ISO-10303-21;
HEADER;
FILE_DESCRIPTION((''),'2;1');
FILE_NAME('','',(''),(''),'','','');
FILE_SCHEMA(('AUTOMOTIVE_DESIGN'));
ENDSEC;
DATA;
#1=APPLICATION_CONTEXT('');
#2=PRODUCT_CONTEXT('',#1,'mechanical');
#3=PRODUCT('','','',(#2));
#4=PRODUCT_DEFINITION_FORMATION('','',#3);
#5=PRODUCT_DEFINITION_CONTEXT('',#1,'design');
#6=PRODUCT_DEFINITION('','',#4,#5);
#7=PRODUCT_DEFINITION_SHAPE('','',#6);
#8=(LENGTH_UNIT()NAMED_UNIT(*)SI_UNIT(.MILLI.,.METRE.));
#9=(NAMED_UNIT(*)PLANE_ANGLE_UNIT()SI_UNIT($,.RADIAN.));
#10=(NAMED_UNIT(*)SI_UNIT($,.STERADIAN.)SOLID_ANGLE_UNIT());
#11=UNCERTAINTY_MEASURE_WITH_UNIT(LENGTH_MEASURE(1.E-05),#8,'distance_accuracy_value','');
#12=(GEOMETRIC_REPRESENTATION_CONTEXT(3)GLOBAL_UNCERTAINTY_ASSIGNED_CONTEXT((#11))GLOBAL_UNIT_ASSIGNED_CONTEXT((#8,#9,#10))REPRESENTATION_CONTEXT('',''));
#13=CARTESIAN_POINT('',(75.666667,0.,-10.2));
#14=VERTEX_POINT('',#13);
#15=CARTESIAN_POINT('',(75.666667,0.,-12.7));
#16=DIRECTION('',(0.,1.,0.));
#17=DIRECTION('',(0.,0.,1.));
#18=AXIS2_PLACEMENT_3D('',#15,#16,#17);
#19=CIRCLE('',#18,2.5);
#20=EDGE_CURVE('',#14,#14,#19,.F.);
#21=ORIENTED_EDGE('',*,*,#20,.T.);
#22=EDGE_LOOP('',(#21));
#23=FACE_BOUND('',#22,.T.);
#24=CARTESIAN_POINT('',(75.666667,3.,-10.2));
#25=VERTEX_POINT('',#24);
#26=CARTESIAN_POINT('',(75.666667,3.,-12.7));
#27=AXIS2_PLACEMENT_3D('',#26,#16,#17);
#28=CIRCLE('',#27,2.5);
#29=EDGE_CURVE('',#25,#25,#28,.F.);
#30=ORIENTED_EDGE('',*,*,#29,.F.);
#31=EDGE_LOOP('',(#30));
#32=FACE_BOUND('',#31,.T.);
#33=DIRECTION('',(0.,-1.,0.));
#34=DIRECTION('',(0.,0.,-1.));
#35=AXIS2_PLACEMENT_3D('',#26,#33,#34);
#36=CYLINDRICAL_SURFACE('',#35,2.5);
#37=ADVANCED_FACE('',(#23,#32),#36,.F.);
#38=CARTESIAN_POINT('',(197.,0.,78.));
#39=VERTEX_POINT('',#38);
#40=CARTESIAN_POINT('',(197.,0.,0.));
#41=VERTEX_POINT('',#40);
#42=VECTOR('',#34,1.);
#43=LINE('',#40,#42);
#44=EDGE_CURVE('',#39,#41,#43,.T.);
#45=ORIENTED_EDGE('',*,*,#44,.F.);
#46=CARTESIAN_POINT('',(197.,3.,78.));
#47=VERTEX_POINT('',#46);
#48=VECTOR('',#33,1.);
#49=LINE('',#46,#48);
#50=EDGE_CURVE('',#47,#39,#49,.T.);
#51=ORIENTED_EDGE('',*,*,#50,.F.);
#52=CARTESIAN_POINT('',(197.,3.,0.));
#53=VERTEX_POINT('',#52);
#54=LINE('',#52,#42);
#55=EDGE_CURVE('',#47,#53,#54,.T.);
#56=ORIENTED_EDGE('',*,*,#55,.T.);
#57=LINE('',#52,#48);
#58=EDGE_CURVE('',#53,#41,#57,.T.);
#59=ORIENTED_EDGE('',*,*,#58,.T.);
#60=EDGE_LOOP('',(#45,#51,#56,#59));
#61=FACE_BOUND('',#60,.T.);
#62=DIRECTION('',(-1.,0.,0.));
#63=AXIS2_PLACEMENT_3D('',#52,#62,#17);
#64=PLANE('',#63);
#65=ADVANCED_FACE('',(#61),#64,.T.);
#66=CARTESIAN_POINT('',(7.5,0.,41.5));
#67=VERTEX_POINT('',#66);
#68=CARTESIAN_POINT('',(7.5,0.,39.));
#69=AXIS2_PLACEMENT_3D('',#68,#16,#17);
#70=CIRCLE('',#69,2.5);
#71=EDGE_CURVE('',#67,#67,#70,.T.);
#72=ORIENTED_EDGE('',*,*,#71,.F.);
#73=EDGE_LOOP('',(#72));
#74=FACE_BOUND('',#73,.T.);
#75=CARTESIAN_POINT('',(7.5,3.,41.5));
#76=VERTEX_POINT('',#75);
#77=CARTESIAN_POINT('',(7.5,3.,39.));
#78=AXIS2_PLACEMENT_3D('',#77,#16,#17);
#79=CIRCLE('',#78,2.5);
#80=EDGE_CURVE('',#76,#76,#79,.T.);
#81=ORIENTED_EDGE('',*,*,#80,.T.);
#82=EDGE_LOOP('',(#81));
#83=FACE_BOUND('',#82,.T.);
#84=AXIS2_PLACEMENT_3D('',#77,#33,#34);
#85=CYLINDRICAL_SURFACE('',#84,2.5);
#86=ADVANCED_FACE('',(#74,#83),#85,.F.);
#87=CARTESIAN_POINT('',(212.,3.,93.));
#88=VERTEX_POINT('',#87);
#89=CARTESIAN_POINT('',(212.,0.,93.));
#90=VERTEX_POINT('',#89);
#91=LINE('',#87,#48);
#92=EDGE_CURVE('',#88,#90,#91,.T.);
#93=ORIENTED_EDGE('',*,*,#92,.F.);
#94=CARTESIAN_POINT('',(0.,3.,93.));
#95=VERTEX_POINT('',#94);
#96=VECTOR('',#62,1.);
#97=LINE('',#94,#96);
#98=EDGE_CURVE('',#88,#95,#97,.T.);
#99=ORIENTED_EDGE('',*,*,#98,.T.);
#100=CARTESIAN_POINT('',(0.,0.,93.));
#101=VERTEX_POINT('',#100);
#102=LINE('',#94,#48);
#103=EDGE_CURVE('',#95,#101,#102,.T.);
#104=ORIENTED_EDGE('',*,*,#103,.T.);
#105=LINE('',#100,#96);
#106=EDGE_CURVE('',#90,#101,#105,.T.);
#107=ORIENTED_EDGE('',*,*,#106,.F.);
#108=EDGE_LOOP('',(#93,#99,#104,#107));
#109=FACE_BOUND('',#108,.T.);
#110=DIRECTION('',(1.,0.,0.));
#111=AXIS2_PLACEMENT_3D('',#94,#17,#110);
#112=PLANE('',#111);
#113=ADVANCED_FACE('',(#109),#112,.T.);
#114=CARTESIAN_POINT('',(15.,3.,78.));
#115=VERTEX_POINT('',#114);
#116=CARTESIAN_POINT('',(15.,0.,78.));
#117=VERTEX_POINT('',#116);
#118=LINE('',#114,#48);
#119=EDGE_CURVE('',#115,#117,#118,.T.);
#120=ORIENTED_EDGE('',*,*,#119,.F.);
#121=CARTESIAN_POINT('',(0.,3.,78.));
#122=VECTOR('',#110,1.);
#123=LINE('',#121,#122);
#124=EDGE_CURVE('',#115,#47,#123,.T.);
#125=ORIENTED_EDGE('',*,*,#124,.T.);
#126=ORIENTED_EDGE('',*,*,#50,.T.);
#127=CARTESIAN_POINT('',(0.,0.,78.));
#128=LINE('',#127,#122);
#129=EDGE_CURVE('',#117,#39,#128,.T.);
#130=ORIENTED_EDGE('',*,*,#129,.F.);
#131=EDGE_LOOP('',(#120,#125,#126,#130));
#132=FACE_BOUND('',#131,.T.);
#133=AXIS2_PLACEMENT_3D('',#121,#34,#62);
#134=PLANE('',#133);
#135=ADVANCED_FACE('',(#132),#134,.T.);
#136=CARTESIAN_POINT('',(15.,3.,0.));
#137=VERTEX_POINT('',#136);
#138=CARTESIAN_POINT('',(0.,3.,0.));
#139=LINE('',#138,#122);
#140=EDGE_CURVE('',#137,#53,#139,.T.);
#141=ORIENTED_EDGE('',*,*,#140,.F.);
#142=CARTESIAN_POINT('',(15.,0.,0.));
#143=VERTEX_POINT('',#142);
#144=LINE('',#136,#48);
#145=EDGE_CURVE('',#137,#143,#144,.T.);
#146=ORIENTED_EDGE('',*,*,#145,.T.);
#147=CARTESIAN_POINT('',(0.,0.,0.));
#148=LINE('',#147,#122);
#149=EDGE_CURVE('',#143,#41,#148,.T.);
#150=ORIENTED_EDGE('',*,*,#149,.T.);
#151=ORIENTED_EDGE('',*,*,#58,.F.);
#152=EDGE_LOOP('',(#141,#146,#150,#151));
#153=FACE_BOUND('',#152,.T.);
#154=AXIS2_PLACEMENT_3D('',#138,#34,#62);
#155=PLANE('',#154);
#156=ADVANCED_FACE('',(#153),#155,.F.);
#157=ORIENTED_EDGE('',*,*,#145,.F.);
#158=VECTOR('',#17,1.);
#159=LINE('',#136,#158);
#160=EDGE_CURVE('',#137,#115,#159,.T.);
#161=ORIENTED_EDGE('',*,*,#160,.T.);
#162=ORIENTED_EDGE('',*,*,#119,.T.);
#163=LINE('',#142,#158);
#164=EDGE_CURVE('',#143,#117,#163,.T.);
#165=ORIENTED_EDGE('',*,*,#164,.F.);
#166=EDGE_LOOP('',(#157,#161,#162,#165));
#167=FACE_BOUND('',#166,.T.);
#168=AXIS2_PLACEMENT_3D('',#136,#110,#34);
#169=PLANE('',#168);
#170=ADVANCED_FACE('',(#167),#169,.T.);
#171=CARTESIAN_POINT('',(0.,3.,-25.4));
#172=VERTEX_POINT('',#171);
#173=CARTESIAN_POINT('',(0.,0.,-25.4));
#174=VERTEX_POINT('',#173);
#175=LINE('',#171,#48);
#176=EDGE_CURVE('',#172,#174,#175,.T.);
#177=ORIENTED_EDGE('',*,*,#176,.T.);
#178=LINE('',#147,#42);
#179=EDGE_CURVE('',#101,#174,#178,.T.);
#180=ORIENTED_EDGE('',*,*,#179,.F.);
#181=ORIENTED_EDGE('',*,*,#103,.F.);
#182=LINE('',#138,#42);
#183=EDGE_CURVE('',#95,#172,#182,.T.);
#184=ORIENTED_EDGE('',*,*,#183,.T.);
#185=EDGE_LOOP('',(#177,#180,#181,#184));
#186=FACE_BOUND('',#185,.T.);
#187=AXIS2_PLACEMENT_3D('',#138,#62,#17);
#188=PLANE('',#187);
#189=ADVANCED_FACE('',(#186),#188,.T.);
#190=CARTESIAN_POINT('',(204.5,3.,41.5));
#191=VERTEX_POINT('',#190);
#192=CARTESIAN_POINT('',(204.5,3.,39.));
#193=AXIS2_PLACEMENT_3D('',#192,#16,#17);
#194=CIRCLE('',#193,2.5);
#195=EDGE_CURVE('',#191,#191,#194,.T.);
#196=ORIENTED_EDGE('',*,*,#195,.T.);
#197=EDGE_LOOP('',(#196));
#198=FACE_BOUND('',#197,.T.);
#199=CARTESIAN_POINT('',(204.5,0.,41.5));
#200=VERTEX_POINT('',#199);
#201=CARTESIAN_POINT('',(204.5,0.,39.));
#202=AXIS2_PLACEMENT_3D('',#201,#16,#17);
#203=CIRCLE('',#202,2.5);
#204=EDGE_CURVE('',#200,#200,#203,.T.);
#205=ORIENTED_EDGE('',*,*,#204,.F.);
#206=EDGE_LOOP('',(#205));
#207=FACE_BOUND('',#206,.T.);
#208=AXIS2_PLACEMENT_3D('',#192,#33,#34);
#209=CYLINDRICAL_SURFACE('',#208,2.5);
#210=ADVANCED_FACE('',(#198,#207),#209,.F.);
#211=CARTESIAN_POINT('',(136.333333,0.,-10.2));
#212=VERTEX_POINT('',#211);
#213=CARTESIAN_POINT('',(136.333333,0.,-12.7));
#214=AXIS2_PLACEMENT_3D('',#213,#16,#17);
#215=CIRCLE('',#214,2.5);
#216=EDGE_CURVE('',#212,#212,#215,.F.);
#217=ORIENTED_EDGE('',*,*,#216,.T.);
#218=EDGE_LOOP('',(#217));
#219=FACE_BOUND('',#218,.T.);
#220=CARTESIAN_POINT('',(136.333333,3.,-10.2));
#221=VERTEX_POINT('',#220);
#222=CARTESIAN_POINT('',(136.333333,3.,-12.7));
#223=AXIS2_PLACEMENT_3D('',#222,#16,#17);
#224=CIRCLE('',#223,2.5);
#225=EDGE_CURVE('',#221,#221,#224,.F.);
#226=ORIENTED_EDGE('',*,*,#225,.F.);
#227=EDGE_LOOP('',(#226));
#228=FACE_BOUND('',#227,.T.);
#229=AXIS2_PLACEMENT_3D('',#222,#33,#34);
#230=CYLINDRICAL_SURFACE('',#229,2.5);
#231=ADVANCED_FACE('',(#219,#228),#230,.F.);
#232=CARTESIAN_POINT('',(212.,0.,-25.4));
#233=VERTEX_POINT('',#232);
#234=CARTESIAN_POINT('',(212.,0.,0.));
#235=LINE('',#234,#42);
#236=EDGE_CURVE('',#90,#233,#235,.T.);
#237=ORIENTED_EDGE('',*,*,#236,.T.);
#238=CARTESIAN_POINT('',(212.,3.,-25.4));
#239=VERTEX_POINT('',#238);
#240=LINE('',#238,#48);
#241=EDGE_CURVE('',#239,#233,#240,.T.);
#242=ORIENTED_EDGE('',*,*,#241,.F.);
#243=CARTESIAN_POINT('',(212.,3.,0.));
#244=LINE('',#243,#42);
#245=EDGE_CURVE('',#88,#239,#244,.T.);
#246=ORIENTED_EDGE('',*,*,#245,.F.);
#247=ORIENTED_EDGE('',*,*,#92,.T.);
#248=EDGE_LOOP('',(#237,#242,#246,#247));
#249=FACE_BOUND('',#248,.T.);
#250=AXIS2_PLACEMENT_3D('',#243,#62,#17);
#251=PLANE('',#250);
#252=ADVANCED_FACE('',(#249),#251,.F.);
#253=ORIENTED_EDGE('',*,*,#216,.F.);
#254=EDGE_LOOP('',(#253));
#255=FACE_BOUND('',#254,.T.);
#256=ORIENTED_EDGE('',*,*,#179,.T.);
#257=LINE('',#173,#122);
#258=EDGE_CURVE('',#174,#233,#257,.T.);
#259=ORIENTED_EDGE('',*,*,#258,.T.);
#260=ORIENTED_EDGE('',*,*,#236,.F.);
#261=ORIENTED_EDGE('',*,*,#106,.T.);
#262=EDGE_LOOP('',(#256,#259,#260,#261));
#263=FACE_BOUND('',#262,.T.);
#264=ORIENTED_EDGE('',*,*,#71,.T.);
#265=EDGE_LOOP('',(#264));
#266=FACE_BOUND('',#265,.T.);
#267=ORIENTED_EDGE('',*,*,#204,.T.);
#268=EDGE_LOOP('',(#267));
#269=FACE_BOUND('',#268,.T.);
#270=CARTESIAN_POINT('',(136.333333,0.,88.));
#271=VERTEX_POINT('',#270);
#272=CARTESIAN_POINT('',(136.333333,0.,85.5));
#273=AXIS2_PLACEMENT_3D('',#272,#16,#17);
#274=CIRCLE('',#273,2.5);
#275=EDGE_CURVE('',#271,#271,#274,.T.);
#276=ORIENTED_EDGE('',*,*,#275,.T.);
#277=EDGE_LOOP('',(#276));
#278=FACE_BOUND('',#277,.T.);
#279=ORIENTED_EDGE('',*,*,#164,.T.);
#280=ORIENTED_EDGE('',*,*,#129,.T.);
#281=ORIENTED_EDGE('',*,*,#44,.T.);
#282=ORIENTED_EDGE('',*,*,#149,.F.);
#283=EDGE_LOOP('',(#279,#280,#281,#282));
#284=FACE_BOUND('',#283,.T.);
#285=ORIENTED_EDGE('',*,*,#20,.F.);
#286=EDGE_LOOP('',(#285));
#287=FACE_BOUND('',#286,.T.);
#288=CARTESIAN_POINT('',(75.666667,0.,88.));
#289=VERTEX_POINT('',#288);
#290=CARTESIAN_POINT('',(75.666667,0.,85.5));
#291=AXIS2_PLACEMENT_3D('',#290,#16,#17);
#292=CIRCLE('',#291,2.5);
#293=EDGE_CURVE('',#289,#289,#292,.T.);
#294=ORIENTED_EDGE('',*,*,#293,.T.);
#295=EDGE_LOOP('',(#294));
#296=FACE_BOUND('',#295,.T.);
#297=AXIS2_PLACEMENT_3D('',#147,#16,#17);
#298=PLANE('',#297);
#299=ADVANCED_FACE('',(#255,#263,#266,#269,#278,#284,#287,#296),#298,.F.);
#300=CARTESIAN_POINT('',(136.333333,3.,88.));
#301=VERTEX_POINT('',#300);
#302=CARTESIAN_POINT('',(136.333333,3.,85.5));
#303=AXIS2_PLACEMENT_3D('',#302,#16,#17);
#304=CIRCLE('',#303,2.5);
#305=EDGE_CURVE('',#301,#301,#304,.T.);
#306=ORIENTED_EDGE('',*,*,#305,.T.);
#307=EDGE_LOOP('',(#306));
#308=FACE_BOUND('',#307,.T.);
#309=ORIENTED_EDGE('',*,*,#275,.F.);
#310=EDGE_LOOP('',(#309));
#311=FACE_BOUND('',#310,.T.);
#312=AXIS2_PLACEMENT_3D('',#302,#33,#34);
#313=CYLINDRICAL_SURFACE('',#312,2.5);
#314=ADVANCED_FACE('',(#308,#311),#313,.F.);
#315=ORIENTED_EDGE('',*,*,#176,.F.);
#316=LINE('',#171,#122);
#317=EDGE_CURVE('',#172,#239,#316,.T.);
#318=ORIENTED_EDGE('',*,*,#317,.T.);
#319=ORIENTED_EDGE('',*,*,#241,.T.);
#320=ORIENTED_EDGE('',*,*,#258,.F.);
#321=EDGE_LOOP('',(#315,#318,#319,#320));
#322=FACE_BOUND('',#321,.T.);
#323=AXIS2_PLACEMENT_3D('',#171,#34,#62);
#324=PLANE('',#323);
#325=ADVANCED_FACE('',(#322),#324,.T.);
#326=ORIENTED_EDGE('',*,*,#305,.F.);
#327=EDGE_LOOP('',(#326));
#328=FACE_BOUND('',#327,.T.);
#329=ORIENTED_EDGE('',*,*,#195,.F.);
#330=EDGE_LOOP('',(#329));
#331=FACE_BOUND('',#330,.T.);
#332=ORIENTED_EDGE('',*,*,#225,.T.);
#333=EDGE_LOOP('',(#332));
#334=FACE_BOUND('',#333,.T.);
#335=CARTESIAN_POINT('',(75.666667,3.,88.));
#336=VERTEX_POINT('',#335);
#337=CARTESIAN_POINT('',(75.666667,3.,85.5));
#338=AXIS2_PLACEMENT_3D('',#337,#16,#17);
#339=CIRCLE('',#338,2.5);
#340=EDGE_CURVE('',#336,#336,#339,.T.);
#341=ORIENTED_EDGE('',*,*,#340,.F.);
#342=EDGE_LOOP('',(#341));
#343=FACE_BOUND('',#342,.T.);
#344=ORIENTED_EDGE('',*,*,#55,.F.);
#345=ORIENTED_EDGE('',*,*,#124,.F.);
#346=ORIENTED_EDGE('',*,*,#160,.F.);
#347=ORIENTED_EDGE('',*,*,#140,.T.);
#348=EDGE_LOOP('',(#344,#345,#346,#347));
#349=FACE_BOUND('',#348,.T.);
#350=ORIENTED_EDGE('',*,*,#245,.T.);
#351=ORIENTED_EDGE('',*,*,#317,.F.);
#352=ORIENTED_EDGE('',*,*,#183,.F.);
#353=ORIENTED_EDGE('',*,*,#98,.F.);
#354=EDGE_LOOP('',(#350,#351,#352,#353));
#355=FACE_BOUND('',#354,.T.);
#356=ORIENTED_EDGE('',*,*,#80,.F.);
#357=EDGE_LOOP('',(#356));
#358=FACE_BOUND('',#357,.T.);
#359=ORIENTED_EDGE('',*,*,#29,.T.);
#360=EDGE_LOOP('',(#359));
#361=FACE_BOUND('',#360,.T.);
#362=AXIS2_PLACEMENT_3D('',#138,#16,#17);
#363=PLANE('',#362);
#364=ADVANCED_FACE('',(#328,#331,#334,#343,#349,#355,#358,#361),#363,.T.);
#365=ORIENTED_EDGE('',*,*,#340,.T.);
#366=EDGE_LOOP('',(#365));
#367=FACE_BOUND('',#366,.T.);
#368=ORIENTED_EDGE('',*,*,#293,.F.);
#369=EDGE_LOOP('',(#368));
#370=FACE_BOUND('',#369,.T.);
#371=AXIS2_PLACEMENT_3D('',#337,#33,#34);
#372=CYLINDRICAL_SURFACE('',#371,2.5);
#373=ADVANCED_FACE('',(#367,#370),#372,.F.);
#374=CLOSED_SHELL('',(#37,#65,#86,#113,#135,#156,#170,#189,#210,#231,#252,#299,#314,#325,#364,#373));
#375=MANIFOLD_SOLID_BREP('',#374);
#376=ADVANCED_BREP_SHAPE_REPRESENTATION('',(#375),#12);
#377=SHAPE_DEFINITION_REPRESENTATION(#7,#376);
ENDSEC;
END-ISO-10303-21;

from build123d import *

# Parameters (mm, degrees)
SKETCH1_5_W         = 212
SKETCH1_5_H         = 118.4
SKETCH1_5_W_2       = 182
SKETCH1_5_H_2       = 78
SKETCH1_5_R         = 2.5
BOSS_EXTRUDE4_DEPTH = 3


with BuildPart() as part:
    # Sketch1<5> → Boss-Extrude4 (new body)
    with BuildSketch(Plane(origin=(0, 0, 0), x_dir=(1, 0, 0), z_dir=(0, 1, 0))):
        with Locations((106, -33.8)):
            Rectangle(SKETCH1_5_W, SKETCH1_5_H)
        with Locations((106, -39)):
            Rectangle(SKETCH1_5_W_2, SKETCH1_5_H_2, mode=Mode.SUBTRACT)
        with Locations((75.666666667, 12.7)):
            Circle(SKETCH1_5_R, mode=Mode.SUBTRACT)
        with Locations((136.333333333, 12.7)):
            Circle(SKETCH1_5_R, mode=Mode.SUBTRACT)
        with Locations((7.5, -39)):
            Circle(SKETCH1_5_R, mode=Mode.SUBTRACT)
        with Locations((204.5, -39)):
            Circle(SKETCH1_5_R, mode=Mode.SUBTRACT)
        with Locations((75.666666667, -85.5)):
            Circle(SKETCH1_5_R, mode=Mode.SUBTRACT)
        with Locations((136.333333333, -85.5)):
            Circle(SKETCH1_5_R, mode=Mode.SUBTRACT)
    extrude(amount=BOSS_EXTRUDE4_DEPTH)


solid = part.part
